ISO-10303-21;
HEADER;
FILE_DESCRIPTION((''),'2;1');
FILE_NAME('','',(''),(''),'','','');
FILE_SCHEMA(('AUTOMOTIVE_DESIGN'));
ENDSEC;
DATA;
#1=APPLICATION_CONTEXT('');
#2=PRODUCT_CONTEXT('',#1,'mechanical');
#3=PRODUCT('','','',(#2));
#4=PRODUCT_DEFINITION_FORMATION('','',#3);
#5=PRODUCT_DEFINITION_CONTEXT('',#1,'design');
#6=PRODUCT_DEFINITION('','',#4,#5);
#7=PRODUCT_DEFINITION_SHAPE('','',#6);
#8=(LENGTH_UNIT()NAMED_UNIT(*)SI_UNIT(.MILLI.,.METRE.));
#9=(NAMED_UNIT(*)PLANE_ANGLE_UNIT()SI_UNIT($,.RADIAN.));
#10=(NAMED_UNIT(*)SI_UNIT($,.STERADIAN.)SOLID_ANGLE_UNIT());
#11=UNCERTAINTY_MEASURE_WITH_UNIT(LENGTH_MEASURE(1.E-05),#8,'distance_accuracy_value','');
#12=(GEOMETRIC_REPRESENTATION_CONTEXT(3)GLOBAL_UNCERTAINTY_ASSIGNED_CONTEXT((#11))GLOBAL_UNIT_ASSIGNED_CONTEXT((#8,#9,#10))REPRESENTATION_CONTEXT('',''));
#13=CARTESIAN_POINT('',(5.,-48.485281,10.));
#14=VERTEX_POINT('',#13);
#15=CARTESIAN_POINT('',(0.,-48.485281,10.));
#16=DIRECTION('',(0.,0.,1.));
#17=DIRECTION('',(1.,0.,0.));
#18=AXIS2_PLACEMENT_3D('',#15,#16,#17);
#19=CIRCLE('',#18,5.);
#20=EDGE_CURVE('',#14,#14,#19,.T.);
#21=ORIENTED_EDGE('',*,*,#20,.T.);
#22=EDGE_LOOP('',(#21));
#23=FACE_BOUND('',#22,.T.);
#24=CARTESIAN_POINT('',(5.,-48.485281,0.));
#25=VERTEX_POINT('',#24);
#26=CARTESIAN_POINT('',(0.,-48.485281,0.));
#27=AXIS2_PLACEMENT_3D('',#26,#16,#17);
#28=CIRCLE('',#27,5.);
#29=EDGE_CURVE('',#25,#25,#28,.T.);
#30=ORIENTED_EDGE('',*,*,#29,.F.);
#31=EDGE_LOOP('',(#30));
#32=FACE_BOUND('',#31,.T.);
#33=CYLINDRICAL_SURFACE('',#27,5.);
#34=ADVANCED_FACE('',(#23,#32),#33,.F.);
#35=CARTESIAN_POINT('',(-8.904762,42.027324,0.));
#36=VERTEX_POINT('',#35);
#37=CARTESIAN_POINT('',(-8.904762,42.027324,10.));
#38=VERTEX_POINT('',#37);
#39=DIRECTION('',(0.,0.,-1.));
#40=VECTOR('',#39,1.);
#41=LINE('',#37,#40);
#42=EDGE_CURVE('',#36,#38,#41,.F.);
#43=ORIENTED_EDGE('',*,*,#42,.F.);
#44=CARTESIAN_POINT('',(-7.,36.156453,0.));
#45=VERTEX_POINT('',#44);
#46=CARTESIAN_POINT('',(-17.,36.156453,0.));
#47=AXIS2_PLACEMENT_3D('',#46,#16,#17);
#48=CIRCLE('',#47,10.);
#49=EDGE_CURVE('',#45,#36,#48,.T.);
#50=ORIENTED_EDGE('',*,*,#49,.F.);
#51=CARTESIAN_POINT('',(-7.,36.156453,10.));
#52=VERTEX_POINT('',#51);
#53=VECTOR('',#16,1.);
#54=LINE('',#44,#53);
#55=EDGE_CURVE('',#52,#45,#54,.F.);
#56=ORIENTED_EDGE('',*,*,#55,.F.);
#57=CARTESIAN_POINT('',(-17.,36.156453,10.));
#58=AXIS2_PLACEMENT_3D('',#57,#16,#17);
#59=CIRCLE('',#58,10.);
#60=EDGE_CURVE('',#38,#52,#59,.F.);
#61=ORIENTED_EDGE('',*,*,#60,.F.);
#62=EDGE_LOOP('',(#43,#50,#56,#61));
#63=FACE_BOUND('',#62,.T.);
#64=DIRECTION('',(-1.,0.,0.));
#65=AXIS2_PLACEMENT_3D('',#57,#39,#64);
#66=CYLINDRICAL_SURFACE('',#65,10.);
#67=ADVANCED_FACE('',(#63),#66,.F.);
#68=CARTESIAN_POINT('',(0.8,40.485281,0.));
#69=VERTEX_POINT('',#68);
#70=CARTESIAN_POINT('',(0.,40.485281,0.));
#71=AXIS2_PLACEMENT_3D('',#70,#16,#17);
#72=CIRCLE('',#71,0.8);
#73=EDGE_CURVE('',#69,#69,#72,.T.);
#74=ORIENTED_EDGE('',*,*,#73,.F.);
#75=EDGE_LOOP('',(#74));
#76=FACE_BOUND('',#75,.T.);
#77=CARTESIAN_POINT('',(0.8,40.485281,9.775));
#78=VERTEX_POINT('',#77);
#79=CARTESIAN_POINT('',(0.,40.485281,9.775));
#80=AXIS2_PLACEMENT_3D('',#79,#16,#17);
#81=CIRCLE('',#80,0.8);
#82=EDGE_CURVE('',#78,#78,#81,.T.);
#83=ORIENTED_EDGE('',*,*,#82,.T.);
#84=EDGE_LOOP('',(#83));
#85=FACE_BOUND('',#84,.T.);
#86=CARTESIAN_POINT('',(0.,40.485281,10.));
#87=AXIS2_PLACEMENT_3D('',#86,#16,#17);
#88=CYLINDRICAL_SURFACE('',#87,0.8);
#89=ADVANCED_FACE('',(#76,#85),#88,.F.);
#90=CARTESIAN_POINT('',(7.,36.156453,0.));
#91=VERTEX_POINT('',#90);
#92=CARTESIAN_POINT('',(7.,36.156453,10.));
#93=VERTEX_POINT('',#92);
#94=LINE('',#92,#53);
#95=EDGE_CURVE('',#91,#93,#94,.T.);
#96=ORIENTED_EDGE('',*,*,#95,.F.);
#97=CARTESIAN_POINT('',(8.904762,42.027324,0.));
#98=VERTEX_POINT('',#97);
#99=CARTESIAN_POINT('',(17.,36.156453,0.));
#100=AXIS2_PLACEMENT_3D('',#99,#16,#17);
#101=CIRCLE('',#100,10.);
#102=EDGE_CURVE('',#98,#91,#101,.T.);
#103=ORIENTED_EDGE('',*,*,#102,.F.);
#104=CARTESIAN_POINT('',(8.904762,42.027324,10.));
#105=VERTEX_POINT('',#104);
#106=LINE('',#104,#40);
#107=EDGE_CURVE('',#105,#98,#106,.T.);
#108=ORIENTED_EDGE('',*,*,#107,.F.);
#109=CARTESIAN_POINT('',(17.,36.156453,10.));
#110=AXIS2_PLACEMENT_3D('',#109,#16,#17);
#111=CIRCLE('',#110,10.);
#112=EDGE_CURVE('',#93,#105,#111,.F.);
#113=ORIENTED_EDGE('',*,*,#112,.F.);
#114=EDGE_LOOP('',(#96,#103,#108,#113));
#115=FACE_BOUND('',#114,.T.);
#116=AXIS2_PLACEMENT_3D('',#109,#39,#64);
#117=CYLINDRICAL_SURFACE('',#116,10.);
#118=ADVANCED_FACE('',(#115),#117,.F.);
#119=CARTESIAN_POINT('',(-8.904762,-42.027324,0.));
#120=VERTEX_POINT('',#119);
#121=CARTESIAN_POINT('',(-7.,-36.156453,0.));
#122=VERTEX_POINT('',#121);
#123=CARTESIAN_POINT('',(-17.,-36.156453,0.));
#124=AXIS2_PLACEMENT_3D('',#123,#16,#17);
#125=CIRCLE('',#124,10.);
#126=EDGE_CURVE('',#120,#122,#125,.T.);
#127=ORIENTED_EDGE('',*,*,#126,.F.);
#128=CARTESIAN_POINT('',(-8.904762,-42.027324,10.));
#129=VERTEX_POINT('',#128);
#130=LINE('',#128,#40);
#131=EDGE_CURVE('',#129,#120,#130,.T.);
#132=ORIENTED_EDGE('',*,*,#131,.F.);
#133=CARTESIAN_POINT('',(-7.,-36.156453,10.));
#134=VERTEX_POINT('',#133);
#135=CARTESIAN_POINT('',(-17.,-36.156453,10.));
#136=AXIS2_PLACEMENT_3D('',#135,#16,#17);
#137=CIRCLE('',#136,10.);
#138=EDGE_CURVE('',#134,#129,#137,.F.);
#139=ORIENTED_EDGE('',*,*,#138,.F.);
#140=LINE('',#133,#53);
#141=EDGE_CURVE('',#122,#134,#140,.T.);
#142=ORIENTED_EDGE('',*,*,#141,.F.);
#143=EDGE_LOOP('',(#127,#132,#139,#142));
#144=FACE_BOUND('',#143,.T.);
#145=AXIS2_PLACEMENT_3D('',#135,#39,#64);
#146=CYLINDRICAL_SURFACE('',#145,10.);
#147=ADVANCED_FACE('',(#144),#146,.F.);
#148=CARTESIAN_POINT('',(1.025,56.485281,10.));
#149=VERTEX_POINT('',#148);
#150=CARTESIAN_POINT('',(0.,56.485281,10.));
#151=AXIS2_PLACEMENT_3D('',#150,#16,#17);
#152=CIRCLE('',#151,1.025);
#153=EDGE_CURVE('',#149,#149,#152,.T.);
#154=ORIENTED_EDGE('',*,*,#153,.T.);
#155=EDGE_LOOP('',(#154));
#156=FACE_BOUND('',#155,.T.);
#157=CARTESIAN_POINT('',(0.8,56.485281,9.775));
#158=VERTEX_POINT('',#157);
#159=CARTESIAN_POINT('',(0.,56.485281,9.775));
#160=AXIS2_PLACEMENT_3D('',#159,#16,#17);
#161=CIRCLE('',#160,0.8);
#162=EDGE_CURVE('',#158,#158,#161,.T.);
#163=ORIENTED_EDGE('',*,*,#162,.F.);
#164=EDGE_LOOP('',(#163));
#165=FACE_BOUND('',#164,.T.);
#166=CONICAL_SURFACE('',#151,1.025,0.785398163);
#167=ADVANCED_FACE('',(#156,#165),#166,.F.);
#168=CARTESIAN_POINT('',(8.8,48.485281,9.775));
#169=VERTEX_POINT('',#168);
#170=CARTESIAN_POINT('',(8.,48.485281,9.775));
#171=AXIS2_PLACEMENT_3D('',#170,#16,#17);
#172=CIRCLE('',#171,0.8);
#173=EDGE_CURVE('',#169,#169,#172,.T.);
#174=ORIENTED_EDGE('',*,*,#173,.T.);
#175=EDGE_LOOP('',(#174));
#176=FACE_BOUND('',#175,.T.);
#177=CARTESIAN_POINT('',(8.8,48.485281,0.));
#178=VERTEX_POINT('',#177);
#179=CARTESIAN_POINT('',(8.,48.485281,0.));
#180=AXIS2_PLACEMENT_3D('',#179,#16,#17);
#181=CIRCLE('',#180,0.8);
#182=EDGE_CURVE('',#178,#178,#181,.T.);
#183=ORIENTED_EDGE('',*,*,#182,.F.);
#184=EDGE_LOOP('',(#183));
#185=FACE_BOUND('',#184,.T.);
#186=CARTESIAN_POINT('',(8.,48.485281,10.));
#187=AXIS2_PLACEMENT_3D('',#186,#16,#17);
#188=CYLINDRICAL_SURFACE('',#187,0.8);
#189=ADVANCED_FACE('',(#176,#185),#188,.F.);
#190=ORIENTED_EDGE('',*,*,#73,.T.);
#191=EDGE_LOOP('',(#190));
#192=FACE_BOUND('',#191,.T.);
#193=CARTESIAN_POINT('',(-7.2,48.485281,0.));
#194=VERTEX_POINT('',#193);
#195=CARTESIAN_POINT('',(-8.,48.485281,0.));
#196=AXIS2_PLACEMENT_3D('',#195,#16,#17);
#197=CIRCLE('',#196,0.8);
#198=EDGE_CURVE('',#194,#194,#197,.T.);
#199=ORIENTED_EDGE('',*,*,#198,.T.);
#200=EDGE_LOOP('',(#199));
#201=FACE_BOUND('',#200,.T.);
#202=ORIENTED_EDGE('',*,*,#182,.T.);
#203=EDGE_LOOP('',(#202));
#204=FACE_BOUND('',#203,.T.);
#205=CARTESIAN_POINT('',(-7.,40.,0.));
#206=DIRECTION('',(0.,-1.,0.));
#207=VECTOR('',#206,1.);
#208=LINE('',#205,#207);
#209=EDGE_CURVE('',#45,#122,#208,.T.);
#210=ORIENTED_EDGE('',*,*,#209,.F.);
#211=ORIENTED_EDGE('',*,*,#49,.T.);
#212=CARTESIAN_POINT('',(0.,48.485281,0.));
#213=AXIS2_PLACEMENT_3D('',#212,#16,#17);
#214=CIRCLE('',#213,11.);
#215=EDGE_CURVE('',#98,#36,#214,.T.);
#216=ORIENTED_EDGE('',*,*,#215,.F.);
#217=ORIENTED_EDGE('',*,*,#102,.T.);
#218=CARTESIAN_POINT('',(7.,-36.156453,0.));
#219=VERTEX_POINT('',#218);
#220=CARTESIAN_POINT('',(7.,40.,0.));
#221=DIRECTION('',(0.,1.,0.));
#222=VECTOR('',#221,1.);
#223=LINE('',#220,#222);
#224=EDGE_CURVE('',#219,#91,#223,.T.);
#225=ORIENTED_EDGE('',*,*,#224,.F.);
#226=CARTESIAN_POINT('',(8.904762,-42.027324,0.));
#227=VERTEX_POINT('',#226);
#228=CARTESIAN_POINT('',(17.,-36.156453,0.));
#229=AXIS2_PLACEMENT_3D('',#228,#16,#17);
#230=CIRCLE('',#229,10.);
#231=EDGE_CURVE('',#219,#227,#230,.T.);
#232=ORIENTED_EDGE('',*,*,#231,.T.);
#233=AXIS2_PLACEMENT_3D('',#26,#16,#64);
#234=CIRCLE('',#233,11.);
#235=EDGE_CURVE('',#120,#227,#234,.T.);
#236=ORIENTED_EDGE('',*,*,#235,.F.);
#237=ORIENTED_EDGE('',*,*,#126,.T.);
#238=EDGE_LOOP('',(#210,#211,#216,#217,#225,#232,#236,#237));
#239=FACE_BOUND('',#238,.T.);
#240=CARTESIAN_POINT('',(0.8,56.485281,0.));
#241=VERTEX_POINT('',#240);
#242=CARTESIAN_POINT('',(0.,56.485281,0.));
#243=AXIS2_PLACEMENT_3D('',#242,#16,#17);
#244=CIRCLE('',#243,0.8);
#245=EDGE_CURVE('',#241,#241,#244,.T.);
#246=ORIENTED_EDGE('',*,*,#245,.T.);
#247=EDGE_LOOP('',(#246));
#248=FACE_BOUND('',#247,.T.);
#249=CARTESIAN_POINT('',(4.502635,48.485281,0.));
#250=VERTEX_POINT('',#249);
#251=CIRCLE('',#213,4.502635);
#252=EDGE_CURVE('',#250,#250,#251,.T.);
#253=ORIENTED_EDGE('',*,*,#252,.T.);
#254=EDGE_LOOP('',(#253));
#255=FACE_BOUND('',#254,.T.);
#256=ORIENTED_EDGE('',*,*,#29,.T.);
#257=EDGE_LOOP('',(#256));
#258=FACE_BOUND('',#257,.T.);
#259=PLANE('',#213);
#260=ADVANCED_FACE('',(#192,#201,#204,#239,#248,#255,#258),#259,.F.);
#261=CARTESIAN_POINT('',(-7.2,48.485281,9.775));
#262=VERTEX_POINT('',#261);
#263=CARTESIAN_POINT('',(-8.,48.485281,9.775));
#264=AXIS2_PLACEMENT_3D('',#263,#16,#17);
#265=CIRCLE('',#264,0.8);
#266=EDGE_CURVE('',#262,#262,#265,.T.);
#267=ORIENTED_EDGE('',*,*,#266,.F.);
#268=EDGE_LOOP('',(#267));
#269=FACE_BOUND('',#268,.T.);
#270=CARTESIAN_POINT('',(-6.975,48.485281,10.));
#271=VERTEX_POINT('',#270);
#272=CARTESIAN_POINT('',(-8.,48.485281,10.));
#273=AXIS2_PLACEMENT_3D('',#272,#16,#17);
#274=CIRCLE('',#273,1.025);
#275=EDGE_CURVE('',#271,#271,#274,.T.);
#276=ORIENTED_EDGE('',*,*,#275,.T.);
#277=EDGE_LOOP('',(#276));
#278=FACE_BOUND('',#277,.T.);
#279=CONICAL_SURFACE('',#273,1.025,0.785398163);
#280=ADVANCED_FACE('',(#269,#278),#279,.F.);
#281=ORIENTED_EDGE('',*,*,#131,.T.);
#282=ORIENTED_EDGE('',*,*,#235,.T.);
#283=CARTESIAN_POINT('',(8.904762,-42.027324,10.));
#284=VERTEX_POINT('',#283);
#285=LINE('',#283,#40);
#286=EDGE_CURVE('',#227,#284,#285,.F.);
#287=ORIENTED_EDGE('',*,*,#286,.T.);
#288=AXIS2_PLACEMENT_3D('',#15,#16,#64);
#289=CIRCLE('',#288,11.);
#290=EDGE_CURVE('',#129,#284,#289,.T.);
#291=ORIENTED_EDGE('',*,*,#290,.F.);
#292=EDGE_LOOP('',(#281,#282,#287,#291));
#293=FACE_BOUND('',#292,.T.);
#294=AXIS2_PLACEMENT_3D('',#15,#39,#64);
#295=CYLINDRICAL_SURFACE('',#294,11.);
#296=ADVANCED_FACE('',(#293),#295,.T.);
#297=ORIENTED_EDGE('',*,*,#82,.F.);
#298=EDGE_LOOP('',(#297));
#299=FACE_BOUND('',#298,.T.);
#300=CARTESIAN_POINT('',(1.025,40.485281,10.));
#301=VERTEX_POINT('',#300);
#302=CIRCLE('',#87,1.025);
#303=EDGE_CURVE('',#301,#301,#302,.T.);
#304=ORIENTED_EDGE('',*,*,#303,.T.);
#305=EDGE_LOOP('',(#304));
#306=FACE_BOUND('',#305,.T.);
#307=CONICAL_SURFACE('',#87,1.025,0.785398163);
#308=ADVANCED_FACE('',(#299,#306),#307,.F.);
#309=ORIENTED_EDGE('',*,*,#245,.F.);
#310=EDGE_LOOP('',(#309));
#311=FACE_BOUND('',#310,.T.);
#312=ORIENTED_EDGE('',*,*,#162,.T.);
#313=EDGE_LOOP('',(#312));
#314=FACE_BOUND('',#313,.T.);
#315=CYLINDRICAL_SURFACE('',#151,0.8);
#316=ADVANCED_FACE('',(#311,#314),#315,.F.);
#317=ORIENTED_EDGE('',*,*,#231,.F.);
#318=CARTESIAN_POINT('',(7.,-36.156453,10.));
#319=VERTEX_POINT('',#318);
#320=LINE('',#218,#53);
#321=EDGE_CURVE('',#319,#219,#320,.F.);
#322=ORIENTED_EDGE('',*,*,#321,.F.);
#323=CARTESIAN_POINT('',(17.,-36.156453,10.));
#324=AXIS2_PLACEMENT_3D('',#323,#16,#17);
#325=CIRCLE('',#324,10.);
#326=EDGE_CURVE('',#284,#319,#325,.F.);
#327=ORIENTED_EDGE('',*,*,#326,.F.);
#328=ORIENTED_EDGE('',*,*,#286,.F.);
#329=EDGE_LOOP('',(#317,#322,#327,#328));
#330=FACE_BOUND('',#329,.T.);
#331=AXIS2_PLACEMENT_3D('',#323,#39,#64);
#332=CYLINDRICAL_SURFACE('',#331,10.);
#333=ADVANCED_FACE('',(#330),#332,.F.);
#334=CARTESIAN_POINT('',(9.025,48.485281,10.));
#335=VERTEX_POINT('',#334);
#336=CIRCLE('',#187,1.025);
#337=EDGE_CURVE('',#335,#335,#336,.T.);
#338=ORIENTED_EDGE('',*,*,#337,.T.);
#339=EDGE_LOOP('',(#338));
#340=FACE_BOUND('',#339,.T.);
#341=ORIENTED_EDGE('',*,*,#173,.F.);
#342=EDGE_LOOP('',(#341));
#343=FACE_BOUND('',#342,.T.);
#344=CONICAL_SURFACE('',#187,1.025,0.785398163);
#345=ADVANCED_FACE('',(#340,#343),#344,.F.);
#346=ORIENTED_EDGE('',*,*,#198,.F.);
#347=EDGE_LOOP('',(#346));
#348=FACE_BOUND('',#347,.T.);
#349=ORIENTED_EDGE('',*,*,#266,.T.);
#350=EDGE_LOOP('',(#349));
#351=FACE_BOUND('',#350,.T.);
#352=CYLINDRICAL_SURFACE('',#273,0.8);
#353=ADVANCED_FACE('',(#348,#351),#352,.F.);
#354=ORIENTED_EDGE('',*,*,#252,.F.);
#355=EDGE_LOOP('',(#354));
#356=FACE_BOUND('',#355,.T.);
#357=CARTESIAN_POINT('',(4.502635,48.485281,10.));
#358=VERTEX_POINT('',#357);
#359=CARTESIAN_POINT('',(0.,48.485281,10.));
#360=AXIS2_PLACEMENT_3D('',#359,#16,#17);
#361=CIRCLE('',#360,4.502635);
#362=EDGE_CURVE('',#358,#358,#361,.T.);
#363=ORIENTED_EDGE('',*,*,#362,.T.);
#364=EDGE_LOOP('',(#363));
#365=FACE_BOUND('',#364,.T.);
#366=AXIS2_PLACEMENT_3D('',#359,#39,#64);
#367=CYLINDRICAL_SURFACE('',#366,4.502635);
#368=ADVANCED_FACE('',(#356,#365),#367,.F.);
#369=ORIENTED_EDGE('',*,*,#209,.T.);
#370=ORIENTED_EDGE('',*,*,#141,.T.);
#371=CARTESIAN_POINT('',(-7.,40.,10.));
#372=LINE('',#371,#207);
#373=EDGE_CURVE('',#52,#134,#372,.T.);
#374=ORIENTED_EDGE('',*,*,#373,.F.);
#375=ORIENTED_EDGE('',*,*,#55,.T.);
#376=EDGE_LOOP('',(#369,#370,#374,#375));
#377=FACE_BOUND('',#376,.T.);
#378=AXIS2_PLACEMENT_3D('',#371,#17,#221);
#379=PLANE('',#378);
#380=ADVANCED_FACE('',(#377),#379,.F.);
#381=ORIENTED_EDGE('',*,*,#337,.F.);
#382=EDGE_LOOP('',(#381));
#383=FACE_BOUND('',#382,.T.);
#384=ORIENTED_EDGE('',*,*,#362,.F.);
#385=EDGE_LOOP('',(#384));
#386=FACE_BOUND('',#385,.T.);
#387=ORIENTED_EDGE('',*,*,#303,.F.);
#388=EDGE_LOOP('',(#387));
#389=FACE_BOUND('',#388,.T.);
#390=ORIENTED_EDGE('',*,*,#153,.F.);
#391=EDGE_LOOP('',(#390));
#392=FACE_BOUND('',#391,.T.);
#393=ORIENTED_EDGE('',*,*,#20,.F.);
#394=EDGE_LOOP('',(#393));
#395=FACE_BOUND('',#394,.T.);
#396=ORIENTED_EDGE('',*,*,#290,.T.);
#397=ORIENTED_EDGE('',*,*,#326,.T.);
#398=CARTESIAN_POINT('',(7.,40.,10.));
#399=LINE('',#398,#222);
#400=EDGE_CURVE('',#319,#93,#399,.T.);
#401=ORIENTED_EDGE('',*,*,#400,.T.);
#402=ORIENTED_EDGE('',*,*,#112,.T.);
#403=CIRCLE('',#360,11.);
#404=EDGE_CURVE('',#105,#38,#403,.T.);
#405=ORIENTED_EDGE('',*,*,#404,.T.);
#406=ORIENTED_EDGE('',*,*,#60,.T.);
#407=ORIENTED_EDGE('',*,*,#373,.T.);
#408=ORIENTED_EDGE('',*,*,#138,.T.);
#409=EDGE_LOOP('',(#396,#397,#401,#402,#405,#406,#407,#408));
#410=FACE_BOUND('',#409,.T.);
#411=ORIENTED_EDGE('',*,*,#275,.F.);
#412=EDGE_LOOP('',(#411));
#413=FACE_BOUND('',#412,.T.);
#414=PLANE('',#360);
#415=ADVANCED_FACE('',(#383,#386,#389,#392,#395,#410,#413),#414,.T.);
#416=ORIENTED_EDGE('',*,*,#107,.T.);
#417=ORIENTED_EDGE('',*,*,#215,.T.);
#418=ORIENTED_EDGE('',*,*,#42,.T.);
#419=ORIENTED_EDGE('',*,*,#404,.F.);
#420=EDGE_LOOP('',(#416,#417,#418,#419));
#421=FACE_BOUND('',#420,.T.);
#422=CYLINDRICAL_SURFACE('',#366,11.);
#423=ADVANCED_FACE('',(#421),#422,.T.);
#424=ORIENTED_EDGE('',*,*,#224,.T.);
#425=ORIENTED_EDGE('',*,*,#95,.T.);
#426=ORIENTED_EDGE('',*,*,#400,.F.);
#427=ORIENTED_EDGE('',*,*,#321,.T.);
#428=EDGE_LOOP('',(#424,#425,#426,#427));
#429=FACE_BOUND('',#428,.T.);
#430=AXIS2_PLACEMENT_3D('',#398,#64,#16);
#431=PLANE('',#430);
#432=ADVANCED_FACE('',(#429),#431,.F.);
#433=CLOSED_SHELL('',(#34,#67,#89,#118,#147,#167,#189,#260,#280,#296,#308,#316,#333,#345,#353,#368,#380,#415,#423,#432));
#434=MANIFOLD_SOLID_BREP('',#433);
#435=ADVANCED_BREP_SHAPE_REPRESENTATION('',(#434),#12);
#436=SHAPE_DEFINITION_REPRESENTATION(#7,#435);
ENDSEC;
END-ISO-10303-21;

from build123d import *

# Parameters (mm, degrees)
ESQUISSE1_R                 = 4.502635458
BOSS_EXTRU_1_DEPTH          = 10
TROU_TARAUD_M22_D           = 1.6
TROU_TARAUD_M22_CSINK_D     = 2.05
TROU_TARAUD_M22_CSINK_ANGLE = 90
CONG_1_R                    = 10
ESQUISSE9_R                 = 5
ENL_V_MAT_EXTRU_1_DEPTH     = 10


with BuildPart() as part:
    # Esquisse1 → Boss.-Extru.1 (new body)
    with BuildSketch(Plane.XY):
        with BuildLine():
            Line((-7, 40), (-7, -40))
            ThreePointArc((-7, -40), (0, -59.485281374), (7, -40))
            Line((7, -40), (7, 40))
            ThreePointArc((7, 40), (0, 59.485281374), (-7, 40))
        make_face()
        with Locations((0, 48.485281374)):
            Circle(ESQUISSE1_R, mode=Mode.SUBTRACT)
    extrude(amount=BOSS_EXTRU_1_DEPTH)

    # Trou taraudé M22 (through all)
    with Locations(Plane.XY.offset(10)):
        with Locations((-8, 48.485281374), (0, 56.485281374), (8, 48.485281374), (0, 40.485281374)):
            CounterSinkHole(TROU_TARAUD_M22_D / 2, TROU_TARAUD_M22_CSINK_D / 2, counter_sink_angle=TROU_TARAUD_M22_CSINK_ANGLE)

    # Congé1
    cong_1_edges = [part.edges().sort_by_distance(p)[0] for p in [
        (7, 40, 5),
        (7, -40, 5),
        (-7, -40, 5),
        (-7, 40, 5),
    ]]
    fillet(cong_1_edges, radius=CONG_1_R)

    # Esquisse9 → Enlèv. mat.-Extru.1 (cut)
    with BuildSketch(Plane.XY.offset(10)):
        with Locations((0, -48.485281374)):
            Circle(ESQUISSE9_R)
    extrude(amount=-ENL_V_MAT_EXTRU_1_DEPTH, mode=Mode.SUBTRACT)


solid = part.part
